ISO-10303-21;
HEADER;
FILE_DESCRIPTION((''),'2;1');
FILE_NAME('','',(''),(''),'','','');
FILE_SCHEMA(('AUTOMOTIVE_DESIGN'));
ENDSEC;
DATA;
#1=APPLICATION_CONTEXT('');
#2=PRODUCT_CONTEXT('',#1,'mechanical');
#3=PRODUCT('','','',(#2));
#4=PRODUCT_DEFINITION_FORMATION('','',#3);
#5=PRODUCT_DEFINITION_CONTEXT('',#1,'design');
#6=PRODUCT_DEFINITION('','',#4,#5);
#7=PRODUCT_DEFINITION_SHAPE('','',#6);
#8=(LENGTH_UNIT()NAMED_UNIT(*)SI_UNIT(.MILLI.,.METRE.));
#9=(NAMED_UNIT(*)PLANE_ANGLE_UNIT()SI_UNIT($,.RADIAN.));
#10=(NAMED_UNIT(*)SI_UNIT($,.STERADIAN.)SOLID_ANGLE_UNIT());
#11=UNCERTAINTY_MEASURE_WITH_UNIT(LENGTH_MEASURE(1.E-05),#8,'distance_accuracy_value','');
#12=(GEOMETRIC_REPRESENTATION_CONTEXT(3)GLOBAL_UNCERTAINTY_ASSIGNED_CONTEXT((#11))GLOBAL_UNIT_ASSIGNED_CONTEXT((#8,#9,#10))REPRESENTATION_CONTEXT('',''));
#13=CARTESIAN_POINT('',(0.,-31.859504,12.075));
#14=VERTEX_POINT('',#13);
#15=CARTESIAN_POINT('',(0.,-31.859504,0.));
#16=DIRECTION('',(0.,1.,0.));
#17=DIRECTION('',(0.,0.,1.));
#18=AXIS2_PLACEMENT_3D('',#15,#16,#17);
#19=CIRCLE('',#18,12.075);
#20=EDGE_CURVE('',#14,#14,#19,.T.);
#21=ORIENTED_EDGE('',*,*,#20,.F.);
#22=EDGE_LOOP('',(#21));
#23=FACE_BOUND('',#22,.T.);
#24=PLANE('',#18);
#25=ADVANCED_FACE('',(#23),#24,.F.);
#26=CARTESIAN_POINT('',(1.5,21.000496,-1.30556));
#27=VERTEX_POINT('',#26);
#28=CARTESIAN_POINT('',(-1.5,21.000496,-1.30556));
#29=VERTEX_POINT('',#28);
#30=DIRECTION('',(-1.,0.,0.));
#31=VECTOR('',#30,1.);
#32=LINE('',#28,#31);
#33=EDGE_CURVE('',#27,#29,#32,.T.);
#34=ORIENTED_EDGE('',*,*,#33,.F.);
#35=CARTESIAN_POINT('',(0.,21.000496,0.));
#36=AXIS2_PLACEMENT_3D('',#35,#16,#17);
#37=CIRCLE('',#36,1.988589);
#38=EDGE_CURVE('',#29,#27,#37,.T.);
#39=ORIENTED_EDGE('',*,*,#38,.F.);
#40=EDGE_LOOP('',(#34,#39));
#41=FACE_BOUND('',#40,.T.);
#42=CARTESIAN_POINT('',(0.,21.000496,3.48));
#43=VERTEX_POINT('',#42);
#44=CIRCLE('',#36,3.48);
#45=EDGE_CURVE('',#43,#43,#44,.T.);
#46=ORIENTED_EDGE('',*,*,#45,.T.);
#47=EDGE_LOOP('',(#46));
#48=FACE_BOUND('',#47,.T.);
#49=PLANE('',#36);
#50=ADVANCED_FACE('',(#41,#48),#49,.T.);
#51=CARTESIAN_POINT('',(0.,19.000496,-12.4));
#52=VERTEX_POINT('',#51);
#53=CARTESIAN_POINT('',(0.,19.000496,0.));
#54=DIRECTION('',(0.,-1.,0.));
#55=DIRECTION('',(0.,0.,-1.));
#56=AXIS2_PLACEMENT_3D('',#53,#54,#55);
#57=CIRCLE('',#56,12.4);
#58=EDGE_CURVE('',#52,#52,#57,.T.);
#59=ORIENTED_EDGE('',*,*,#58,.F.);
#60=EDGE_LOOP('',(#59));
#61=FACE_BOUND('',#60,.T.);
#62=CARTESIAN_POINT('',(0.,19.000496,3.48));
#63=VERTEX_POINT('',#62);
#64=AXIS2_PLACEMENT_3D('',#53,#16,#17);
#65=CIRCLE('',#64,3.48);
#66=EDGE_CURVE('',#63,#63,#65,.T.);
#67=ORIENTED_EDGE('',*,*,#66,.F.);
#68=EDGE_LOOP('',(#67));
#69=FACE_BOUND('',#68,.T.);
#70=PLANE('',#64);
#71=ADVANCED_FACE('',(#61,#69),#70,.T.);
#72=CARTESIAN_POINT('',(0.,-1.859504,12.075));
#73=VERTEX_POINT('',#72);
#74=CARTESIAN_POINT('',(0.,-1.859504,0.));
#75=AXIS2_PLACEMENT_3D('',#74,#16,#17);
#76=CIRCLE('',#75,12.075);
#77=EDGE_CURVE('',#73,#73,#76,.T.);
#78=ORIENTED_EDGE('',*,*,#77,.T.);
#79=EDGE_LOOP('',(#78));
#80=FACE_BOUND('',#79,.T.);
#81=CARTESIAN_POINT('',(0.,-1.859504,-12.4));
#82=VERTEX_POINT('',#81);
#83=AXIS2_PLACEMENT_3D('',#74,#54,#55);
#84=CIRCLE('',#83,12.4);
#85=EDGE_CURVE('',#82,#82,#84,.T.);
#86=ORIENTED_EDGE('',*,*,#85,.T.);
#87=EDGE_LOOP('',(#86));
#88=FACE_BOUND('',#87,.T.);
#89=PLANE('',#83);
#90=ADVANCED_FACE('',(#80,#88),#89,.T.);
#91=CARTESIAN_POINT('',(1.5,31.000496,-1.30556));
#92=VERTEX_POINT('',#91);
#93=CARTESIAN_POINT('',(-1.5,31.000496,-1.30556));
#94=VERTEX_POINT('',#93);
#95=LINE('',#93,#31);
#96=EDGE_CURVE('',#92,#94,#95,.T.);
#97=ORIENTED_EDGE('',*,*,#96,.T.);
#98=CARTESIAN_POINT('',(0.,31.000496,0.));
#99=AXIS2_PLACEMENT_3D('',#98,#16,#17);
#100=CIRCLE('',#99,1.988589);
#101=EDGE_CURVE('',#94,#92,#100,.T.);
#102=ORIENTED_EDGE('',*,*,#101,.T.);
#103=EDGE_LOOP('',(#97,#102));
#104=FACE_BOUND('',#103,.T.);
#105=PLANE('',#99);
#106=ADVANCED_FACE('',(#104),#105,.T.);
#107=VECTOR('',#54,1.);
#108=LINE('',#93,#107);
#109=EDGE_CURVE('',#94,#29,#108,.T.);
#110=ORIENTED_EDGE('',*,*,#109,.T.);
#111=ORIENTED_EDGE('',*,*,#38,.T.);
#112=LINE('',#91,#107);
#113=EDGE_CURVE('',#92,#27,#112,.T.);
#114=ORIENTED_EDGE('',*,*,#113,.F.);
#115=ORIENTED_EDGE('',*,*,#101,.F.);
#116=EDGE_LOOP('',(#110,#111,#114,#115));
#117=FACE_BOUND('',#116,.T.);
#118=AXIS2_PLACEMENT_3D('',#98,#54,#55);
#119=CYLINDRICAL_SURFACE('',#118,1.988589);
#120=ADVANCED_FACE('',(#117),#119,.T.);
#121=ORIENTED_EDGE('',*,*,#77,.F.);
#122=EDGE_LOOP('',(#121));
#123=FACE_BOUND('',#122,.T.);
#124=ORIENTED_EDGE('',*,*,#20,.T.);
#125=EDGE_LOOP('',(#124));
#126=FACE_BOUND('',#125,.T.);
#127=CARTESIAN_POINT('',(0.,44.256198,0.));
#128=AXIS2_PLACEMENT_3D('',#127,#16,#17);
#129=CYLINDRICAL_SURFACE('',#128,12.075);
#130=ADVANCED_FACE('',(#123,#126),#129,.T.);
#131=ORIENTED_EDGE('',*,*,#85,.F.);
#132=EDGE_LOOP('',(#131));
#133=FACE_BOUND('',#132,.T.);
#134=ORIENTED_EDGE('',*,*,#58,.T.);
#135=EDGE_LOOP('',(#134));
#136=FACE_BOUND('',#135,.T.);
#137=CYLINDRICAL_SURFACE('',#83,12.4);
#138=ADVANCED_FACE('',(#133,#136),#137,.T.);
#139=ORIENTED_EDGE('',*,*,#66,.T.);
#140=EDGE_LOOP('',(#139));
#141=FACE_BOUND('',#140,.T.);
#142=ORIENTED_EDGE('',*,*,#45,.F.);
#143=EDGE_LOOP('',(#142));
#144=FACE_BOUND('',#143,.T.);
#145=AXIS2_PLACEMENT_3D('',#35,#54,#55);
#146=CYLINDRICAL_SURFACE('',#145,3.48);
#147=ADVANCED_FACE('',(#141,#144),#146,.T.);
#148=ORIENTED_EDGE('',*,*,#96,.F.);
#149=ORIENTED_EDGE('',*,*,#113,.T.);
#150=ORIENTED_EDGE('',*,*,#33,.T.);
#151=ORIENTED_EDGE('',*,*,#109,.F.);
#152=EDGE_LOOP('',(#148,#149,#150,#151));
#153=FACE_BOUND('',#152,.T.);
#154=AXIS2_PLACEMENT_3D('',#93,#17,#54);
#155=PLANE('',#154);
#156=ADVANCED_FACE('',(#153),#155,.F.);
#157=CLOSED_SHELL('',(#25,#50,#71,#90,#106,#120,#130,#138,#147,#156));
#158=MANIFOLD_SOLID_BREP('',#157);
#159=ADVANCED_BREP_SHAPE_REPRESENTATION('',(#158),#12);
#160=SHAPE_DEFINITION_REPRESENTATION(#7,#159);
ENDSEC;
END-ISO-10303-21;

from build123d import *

# Parameters (mm, degrees)
SKETCH1_W           = 12.075
SKETCH1_H           = 30
SKETCH2_W           = 12.4
SKETCH2_H           = 20.86
SKETCH3_R           = 3.48
BOSS_EXTRUDE1_DEPTH = 2
BOSS_EXTRUDE2_DEPTH = 10


with BuildPart() as part:
    # Sketch1 → Revolve1 (revolve)
    with BuildSketch(Plane(origin=(0, 0, 0), x_dir=(0, 0, -1), z_dir=(1, 0, 0))):
        with Locations((6.0375, -16.859504132)):
            Rectangle(SKETCH1_W, SKETCH1_H)
    revolve(axis=Axis((0, 44.256198347, 0), (0, -1, 0)))

    # Sketch2 → Revolve2 (revolve)
    with BuildSketch(Plane(origin=(0, 0, 0), x_dir=(0, 0, -1), z_dir=(1, 0, 0))):
        with Locations((6.2, 8.570495868)):
            Rectangle(SKETCH2_W, SKETCH2_H)
    revolve(axis=Axis((0, -1.859504132, 0), (0, 1, 0)))

    # Sketch3 → Boss-Extrude1 (add)
    with BuildSketch(Plane(origin=(0, 19.000495868, 0), x_dir=(1, 0, 0), z_dir=(0, 1, 0))):
        Circle(SKETCH3_R)
    extrude(amount=BOSS_EXTRUDE1_DEPTH)

    # Sketch4 → Boss-Extrude2 (add)
    with BuildSketch(Plane(origin=(0, 21.000495868, 0), x_dir=(1, 0, 0), z_dir=(0, 1, 0))):
        with BuildLine():
            Line((-1.5, 1.305560373), (1.5, 1.305560373))
            ThreePointArc((1.5, 1.305560373), (0, -1.988589421), (-1.5, 1.305560373))
        make_face()
    extrude(amount=BOSS_EXTRUDE2_DEPTH)


solid = part.part
